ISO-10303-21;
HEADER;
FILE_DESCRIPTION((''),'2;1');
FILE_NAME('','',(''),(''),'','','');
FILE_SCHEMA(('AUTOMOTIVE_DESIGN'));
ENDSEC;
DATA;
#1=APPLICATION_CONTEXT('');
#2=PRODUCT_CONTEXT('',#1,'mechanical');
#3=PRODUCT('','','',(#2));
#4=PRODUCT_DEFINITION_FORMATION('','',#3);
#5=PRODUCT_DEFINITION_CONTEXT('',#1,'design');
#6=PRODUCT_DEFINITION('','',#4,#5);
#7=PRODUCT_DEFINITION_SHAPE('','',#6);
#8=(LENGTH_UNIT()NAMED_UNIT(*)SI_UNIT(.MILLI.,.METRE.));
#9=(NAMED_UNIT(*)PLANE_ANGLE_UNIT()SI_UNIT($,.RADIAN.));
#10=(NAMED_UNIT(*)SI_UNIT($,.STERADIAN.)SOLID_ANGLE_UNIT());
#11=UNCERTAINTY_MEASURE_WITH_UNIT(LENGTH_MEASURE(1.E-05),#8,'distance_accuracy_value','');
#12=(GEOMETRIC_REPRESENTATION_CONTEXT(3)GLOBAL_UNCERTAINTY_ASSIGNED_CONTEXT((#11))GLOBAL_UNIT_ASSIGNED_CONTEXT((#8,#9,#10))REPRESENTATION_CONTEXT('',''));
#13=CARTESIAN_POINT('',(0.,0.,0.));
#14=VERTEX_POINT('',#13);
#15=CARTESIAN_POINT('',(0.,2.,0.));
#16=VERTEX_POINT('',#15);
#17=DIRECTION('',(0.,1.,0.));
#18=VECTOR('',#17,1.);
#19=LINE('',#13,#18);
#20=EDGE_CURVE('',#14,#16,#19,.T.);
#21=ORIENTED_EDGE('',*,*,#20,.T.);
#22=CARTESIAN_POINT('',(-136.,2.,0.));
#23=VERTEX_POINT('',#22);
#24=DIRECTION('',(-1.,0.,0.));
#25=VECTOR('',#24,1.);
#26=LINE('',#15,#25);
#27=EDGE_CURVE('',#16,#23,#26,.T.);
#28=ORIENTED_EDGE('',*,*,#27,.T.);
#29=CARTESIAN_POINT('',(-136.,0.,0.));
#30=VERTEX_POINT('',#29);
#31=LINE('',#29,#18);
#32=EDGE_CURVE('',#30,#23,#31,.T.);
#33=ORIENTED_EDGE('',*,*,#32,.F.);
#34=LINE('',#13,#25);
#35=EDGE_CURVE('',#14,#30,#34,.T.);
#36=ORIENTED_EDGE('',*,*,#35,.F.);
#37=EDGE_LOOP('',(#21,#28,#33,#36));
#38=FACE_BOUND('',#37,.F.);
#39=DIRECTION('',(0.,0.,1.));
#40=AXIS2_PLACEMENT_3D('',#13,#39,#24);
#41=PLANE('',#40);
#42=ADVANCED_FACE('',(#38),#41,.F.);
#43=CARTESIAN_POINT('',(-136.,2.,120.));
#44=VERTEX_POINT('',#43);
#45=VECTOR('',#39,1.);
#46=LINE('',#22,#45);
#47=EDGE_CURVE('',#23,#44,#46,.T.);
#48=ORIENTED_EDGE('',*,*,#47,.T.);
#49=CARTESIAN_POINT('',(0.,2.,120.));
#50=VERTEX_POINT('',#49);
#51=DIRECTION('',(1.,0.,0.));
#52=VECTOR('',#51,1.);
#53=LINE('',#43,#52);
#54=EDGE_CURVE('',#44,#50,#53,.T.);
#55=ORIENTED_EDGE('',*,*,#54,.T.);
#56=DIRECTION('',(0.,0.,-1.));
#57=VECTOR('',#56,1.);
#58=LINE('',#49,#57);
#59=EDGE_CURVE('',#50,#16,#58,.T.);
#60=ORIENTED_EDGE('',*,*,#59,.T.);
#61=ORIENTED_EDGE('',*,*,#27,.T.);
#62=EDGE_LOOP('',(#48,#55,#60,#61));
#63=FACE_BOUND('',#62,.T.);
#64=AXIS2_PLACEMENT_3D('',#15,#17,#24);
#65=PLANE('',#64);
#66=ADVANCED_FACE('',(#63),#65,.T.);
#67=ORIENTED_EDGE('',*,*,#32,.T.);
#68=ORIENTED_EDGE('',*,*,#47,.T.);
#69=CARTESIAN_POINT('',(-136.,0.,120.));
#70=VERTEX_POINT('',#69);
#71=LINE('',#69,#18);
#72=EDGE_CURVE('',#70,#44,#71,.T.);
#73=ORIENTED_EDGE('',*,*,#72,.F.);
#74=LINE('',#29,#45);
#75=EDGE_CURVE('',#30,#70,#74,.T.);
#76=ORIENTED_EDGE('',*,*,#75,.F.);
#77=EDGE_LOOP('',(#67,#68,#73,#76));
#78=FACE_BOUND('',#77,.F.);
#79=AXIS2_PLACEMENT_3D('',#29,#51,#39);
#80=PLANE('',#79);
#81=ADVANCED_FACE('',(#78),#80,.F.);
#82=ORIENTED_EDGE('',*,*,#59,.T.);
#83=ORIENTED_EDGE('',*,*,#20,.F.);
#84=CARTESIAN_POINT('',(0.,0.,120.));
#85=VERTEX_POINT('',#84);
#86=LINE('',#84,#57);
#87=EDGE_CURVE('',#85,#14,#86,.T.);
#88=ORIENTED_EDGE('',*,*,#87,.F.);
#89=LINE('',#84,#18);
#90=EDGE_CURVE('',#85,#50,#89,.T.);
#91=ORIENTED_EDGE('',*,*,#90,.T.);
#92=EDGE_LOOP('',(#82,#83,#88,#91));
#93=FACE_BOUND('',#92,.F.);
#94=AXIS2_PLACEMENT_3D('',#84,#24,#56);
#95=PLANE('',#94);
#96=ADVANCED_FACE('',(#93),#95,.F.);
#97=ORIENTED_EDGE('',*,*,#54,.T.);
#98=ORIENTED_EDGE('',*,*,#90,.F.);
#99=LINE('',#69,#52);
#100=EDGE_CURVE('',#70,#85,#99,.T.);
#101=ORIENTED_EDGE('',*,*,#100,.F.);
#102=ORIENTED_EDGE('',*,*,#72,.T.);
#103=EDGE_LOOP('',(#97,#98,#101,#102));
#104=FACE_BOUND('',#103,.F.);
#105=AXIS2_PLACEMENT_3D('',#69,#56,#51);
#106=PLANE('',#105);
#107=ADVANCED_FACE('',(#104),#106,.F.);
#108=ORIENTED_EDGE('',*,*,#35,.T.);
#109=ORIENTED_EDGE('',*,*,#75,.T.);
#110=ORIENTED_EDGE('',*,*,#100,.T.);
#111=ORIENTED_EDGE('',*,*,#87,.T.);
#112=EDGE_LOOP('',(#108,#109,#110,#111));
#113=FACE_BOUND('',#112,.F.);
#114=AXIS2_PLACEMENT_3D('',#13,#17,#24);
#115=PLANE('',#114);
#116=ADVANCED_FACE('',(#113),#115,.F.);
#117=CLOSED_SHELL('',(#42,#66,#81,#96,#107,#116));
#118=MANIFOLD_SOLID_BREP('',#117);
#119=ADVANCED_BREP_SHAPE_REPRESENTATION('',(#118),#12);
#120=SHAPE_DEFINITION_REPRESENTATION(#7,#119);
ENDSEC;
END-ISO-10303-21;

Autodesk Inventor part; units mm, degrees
ref_plane "YZ Plane" through (0, 0, 0) normal (1, 0, 0) x (0, 1, 0)
ref_plane "XZ Plane" through (0, 0, 0) normal (0, 1, 0) x (-1, 0, 0)
ref_plane "XY Plane" through (0, 0, 0) normal (0, 0, 1) x (1, 0, 0)
sketch "スケッチ1" plane through (0, 0, 0) normal (0, 1, 0) x (-1, 0, 0)
  line L0 (0, 0) -> (136, 0)
  line L1 (136, 0) -> (136, 120)
  line L2 (136, 120) -> (0, 120)
  line L3 (0, 120) -> (0, 0)
  dimension "d0" = 136
  dimension "d1" = 120
extrude "押し出し1" add sketch "スケッチ1" along normal blind 2
properties part number "Side_board"
